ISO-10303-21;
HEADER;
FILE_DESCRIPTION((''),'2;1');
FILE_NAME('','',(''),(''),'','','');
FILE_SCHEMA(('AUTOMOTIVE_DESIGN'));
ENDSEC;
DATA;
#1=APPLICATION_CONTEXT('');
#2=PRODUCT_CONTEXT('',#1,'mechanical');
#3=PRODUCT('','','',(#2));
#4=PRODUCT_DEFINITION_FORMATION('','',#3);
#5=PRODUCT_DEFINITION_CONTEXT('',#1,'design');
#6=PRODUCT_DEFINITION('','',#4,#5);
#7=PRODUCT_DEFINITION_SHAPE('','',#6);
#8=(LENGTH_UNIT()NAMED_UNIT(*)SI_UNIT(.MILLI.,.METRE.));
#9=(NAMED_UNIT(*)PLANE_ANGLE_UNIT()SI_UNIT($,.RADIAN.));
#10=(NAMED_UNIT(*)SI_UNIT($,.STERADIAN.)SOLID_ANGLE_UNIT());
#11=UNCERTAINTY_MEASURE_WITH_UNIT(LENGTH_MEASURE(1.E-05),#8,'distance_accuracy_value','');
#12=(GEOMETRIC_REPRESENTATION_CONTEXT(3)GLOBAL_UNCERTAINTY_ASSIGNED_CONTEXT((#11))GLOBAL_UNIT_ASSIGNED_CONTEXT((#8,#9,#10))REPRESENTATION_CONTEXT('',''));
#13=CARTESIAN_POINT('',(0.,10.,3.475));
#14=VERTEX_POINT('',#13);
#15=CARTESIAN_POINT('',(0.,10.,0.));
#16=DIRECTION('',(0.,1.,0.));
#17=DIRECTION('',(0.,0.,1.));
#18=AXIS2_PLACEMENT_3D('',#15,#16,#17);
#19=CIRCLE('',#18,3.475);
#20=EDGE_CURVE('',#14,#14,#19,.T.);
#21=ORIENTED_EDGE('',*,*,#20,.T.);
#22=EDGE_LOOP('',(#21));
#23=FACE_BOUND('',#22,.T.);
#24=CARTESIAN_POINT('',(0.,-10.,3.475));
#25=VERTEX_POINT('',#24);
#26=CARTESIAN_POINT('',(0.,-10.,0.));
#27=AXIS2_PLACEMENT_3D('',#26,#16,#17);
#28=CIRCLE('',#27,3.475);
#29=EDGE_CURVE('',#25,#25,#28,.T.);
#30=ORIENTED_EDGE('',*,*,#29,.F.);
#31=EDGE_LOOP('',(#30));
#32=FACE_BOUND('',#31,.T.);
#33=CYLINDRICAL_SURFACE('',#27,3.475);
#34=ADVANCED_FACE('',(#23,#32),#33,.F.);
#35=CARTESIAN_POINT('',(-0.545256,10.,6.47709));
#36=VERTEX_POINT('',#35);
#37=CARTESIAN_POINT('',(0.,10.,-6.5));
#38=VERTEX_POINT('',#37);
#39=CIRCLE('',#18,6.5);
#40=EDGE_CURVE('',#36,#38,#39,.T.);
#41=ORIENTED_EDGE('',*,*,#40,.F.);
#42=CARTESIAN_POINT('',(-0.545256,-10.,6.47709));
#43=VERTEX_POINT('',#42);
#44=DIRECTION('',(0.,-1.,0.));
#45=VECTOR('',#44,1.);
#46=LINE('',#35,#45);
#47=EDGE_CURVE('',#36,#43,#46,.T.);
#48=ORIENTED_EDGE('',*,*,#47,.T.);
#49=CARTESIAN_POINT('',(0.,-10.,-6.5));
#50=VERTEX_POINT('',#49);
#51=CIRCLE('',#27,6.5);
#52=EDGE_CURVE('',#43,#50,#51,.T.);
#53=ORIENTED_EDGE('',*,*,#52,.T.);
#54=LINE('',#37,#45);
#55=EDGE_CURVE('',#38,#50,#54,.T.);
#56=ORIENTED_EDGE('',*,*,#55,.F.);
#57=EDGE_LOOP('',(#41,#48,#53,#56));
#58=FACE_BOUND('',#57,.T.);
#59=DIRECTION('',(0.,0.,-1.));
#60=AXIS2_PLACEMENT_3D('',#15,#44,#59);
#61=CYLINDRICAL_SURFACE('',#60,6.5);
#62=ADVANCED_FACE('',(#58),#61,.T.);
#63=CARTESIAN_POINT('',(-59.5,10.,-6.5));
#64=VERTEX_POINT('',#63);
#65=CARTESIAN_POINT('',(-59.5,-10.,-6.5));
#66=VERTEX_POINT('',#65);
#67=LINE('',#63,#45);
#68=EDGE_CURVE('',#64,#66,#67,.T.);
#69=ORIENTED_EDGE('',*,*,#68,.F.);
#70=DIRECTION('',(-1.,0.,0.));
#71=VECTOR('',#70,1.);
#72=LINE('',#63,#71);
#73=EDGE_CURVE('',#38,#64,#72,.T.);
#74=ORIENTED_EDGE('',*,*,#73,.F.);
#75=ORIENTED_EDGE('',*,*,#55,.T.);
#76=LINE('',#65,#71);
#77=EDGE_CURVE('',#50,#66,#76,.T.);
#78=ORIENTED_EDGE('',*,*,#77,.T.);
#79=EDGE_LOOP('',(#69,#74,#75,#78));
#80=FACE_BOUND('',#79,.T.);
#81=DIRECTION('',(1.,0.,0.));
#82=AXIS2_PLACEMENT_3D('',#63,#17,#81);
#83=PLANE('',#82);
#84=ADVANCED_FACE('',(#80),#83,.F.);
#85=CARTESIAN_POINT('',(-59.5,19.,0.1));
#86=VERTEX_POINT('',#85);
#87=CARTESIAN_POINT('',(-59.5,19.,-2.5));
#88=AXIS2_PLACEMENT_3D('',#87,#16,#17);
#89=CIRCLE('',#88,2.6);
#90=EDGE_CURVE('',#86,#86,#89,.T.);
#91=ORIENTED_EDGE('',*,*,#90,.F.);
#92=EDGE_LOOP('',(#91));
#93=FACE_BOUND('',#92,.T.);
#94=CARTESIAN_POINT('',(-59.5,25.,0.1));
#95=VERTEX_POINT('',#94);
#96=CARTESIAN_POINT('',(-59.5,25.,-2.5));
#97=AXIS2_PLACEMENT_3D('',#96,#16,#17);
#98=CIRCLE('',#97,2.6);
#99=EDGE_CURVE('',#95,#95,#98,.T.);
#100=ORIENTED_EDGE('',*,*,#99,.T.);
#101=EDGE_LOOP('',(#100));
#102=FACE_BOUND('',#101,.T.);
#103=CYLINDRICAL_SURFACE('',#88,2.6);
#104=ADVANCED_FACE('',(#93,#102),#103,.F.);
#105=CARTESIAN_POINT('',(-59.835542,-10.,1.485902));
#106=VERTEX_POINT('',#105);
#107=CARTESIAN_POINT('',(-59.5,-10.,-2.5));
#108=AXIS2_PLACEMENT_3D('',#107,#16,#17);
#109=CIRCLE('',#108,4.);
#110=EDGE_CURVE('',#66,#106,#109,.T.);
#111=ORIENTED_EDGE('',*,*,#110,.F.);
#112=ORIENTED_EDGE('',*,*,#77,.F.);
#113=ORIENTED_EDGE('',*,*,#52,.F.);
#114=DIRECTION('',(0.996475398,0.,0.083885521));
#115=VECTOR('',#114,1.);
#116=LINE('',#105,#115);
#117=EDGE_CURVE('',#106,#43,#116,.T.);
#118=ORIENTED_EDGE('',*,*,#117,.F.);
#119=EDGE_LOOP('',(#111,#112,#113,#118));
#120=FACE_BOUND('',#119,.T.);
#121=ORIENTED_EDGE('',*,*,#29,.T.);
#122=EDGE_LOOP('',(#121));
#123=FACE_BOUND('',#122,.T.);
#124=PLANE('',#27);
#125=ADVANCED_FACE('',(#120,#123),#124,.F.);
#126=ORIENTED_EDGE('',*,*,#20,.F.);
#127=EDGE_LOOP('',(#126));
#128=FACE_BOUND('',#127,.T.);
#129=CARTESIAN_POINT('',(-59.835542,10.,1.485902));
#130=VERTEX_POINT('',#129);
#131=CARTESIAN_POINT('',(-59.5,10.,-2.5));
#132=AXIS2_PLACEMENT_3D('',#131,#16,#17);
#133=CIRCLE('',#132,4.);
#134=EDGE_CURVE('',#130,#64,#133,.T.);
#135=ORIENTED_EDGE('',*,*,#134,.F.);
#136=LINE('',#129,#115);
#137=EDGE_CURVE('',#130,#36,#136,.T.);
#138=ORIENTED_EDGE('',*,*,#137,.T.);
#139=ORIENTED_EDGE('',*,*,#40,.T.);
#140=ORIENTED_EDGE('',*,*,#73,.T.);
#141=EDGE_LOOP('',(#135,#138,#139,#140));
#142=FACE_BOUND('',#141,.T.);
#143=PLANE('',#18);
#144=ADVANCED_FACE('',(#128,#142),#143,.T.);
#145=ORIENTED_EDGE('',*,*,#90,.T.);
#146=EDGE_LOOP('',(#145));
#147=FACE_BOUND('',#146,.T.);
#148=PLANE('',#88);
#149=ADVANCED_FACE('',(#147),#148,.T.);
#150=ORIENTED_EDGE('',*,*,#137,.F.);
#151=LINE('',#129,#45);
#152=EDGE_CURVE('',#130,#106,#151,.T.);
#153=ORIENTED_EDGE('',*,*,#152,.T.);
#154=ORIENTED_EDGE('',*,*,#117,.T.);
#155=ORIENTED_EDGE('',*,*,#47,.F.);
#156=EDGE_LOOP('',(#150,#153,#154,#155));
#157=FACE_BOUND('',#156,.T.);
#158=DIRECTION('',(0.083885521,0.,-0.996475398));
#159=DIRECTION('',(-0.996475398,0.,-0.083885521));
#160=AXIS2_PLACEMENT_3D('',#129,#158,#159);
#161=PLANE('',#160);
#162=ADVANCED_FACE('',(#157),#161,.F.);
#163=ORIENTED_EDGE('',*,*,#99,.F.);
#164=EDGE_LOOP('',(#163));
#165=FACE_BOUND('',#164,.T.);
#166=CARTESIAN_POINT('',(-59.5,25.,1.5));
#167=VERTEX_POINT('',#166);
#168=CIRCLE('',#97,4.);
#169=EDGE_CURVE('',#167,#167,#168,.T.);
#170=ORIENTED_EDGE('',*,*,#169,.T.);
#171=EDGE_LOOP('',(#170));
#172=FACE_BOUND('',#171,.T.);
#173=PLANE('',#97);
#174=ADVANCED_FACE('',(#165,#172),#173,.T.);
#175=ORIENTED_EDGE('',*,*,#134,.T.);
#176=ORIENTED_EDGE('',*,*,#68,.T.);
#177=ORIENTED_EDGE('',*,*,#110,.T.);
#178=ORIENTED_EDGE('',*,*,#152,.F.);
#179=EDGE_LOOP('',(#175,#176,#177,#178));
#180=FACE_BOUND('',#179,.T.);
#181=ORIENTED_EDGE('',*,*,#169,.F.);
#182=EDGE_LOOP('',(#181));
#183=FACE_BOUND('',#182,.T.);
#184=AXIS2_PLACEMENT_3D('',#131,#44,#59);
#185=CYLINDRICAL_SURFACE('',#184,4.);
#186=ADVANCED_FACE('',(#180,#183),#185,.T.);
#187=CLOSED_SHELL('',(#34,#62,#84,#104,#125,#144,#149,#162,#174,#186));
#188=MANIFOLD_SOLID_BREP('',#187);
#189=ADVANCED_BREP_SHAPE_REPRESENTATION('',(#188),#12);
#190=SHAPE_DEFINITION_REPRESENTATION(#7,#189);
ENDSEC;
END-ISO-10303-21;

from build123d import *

# Parameters (mm, degrees)
SALIENTE_EXTRUIR1_DEPTH = 10
CROQUIS2_R              = 3.475
CORTAR_EXTRUIR1_DEPTH   = 21
CROQUIS3_R              = 4
SALIENTE_EXTRUIR2_DEPTH = 15
CROQUIS4_R              = 2.6
CORTAR_EXTRUIR2_DEPTH   = 6


with BuildPart() as part:
    # Croquis1 → Saliente-Extruir1 (new body, symmetric)
    with BuildSketch(Plane(origin=(0, 0, 0), x_dir=(1, 0, 0), z_dir=(0, 1, 0))):
        with BuildLine():
            Line((-59.5, 6.5), (0, 6.5))
            ThreePointArc((0, 6.5), (6.494269997, -0.272868487), (-0.545255886, -6.477090089))
            Line((-0.545255886, -6.477090089), (-59.835542084, -1.485901593))
            ThreePointArc((-59.835542084, -1.485901593), (-63.496473844, 2.667919069), (-59.5, 6.5))
        make_face()
    extrude(amount=SALIENTE_EXTRUIR1_DEPTH, both=True)

    # Croquis2 → Cortar-Extruir1 (cut, through all)
    with BuildSketch(Plane(origin=(0, 10, 0), x_dir=(1, 0, 0), z_dir=(0, 1, 0))):
        Circle(CROQUIS2_R)
    extrude(amount=-CORTAR_EXTRUIR1_DEPTH, mode=Mode.SUBTRACT)

    # Croquis3 → Saliente-Extruir2 (add)
    with BuildSketch(Plane(origin=(0, 10, 0), x_dir=(1, 0, 0), z_dir=(0, 1, 0))):
        with Locations((-59.5, 2.5)):
            Circle(CROQUIS3_R)
    extrude(amount=SALIENTE_EXTRUIR2_DEPTH)

    # Croquis4 → Cortar-Extruir2 (cut)
    with BuildSketch(Plane(origin=(0, 25, 0), x_dir=(1, 0, 0), z_dir=(0, 1, 0))):
        with Locations((-59.5, 2.5)):
            Circle(CROQUIS4_R)
    extrude(amount=-CORTAR_EXTRUIR2_DEPTH, mode=Mode.SUBTRACT)


solid = part.part
